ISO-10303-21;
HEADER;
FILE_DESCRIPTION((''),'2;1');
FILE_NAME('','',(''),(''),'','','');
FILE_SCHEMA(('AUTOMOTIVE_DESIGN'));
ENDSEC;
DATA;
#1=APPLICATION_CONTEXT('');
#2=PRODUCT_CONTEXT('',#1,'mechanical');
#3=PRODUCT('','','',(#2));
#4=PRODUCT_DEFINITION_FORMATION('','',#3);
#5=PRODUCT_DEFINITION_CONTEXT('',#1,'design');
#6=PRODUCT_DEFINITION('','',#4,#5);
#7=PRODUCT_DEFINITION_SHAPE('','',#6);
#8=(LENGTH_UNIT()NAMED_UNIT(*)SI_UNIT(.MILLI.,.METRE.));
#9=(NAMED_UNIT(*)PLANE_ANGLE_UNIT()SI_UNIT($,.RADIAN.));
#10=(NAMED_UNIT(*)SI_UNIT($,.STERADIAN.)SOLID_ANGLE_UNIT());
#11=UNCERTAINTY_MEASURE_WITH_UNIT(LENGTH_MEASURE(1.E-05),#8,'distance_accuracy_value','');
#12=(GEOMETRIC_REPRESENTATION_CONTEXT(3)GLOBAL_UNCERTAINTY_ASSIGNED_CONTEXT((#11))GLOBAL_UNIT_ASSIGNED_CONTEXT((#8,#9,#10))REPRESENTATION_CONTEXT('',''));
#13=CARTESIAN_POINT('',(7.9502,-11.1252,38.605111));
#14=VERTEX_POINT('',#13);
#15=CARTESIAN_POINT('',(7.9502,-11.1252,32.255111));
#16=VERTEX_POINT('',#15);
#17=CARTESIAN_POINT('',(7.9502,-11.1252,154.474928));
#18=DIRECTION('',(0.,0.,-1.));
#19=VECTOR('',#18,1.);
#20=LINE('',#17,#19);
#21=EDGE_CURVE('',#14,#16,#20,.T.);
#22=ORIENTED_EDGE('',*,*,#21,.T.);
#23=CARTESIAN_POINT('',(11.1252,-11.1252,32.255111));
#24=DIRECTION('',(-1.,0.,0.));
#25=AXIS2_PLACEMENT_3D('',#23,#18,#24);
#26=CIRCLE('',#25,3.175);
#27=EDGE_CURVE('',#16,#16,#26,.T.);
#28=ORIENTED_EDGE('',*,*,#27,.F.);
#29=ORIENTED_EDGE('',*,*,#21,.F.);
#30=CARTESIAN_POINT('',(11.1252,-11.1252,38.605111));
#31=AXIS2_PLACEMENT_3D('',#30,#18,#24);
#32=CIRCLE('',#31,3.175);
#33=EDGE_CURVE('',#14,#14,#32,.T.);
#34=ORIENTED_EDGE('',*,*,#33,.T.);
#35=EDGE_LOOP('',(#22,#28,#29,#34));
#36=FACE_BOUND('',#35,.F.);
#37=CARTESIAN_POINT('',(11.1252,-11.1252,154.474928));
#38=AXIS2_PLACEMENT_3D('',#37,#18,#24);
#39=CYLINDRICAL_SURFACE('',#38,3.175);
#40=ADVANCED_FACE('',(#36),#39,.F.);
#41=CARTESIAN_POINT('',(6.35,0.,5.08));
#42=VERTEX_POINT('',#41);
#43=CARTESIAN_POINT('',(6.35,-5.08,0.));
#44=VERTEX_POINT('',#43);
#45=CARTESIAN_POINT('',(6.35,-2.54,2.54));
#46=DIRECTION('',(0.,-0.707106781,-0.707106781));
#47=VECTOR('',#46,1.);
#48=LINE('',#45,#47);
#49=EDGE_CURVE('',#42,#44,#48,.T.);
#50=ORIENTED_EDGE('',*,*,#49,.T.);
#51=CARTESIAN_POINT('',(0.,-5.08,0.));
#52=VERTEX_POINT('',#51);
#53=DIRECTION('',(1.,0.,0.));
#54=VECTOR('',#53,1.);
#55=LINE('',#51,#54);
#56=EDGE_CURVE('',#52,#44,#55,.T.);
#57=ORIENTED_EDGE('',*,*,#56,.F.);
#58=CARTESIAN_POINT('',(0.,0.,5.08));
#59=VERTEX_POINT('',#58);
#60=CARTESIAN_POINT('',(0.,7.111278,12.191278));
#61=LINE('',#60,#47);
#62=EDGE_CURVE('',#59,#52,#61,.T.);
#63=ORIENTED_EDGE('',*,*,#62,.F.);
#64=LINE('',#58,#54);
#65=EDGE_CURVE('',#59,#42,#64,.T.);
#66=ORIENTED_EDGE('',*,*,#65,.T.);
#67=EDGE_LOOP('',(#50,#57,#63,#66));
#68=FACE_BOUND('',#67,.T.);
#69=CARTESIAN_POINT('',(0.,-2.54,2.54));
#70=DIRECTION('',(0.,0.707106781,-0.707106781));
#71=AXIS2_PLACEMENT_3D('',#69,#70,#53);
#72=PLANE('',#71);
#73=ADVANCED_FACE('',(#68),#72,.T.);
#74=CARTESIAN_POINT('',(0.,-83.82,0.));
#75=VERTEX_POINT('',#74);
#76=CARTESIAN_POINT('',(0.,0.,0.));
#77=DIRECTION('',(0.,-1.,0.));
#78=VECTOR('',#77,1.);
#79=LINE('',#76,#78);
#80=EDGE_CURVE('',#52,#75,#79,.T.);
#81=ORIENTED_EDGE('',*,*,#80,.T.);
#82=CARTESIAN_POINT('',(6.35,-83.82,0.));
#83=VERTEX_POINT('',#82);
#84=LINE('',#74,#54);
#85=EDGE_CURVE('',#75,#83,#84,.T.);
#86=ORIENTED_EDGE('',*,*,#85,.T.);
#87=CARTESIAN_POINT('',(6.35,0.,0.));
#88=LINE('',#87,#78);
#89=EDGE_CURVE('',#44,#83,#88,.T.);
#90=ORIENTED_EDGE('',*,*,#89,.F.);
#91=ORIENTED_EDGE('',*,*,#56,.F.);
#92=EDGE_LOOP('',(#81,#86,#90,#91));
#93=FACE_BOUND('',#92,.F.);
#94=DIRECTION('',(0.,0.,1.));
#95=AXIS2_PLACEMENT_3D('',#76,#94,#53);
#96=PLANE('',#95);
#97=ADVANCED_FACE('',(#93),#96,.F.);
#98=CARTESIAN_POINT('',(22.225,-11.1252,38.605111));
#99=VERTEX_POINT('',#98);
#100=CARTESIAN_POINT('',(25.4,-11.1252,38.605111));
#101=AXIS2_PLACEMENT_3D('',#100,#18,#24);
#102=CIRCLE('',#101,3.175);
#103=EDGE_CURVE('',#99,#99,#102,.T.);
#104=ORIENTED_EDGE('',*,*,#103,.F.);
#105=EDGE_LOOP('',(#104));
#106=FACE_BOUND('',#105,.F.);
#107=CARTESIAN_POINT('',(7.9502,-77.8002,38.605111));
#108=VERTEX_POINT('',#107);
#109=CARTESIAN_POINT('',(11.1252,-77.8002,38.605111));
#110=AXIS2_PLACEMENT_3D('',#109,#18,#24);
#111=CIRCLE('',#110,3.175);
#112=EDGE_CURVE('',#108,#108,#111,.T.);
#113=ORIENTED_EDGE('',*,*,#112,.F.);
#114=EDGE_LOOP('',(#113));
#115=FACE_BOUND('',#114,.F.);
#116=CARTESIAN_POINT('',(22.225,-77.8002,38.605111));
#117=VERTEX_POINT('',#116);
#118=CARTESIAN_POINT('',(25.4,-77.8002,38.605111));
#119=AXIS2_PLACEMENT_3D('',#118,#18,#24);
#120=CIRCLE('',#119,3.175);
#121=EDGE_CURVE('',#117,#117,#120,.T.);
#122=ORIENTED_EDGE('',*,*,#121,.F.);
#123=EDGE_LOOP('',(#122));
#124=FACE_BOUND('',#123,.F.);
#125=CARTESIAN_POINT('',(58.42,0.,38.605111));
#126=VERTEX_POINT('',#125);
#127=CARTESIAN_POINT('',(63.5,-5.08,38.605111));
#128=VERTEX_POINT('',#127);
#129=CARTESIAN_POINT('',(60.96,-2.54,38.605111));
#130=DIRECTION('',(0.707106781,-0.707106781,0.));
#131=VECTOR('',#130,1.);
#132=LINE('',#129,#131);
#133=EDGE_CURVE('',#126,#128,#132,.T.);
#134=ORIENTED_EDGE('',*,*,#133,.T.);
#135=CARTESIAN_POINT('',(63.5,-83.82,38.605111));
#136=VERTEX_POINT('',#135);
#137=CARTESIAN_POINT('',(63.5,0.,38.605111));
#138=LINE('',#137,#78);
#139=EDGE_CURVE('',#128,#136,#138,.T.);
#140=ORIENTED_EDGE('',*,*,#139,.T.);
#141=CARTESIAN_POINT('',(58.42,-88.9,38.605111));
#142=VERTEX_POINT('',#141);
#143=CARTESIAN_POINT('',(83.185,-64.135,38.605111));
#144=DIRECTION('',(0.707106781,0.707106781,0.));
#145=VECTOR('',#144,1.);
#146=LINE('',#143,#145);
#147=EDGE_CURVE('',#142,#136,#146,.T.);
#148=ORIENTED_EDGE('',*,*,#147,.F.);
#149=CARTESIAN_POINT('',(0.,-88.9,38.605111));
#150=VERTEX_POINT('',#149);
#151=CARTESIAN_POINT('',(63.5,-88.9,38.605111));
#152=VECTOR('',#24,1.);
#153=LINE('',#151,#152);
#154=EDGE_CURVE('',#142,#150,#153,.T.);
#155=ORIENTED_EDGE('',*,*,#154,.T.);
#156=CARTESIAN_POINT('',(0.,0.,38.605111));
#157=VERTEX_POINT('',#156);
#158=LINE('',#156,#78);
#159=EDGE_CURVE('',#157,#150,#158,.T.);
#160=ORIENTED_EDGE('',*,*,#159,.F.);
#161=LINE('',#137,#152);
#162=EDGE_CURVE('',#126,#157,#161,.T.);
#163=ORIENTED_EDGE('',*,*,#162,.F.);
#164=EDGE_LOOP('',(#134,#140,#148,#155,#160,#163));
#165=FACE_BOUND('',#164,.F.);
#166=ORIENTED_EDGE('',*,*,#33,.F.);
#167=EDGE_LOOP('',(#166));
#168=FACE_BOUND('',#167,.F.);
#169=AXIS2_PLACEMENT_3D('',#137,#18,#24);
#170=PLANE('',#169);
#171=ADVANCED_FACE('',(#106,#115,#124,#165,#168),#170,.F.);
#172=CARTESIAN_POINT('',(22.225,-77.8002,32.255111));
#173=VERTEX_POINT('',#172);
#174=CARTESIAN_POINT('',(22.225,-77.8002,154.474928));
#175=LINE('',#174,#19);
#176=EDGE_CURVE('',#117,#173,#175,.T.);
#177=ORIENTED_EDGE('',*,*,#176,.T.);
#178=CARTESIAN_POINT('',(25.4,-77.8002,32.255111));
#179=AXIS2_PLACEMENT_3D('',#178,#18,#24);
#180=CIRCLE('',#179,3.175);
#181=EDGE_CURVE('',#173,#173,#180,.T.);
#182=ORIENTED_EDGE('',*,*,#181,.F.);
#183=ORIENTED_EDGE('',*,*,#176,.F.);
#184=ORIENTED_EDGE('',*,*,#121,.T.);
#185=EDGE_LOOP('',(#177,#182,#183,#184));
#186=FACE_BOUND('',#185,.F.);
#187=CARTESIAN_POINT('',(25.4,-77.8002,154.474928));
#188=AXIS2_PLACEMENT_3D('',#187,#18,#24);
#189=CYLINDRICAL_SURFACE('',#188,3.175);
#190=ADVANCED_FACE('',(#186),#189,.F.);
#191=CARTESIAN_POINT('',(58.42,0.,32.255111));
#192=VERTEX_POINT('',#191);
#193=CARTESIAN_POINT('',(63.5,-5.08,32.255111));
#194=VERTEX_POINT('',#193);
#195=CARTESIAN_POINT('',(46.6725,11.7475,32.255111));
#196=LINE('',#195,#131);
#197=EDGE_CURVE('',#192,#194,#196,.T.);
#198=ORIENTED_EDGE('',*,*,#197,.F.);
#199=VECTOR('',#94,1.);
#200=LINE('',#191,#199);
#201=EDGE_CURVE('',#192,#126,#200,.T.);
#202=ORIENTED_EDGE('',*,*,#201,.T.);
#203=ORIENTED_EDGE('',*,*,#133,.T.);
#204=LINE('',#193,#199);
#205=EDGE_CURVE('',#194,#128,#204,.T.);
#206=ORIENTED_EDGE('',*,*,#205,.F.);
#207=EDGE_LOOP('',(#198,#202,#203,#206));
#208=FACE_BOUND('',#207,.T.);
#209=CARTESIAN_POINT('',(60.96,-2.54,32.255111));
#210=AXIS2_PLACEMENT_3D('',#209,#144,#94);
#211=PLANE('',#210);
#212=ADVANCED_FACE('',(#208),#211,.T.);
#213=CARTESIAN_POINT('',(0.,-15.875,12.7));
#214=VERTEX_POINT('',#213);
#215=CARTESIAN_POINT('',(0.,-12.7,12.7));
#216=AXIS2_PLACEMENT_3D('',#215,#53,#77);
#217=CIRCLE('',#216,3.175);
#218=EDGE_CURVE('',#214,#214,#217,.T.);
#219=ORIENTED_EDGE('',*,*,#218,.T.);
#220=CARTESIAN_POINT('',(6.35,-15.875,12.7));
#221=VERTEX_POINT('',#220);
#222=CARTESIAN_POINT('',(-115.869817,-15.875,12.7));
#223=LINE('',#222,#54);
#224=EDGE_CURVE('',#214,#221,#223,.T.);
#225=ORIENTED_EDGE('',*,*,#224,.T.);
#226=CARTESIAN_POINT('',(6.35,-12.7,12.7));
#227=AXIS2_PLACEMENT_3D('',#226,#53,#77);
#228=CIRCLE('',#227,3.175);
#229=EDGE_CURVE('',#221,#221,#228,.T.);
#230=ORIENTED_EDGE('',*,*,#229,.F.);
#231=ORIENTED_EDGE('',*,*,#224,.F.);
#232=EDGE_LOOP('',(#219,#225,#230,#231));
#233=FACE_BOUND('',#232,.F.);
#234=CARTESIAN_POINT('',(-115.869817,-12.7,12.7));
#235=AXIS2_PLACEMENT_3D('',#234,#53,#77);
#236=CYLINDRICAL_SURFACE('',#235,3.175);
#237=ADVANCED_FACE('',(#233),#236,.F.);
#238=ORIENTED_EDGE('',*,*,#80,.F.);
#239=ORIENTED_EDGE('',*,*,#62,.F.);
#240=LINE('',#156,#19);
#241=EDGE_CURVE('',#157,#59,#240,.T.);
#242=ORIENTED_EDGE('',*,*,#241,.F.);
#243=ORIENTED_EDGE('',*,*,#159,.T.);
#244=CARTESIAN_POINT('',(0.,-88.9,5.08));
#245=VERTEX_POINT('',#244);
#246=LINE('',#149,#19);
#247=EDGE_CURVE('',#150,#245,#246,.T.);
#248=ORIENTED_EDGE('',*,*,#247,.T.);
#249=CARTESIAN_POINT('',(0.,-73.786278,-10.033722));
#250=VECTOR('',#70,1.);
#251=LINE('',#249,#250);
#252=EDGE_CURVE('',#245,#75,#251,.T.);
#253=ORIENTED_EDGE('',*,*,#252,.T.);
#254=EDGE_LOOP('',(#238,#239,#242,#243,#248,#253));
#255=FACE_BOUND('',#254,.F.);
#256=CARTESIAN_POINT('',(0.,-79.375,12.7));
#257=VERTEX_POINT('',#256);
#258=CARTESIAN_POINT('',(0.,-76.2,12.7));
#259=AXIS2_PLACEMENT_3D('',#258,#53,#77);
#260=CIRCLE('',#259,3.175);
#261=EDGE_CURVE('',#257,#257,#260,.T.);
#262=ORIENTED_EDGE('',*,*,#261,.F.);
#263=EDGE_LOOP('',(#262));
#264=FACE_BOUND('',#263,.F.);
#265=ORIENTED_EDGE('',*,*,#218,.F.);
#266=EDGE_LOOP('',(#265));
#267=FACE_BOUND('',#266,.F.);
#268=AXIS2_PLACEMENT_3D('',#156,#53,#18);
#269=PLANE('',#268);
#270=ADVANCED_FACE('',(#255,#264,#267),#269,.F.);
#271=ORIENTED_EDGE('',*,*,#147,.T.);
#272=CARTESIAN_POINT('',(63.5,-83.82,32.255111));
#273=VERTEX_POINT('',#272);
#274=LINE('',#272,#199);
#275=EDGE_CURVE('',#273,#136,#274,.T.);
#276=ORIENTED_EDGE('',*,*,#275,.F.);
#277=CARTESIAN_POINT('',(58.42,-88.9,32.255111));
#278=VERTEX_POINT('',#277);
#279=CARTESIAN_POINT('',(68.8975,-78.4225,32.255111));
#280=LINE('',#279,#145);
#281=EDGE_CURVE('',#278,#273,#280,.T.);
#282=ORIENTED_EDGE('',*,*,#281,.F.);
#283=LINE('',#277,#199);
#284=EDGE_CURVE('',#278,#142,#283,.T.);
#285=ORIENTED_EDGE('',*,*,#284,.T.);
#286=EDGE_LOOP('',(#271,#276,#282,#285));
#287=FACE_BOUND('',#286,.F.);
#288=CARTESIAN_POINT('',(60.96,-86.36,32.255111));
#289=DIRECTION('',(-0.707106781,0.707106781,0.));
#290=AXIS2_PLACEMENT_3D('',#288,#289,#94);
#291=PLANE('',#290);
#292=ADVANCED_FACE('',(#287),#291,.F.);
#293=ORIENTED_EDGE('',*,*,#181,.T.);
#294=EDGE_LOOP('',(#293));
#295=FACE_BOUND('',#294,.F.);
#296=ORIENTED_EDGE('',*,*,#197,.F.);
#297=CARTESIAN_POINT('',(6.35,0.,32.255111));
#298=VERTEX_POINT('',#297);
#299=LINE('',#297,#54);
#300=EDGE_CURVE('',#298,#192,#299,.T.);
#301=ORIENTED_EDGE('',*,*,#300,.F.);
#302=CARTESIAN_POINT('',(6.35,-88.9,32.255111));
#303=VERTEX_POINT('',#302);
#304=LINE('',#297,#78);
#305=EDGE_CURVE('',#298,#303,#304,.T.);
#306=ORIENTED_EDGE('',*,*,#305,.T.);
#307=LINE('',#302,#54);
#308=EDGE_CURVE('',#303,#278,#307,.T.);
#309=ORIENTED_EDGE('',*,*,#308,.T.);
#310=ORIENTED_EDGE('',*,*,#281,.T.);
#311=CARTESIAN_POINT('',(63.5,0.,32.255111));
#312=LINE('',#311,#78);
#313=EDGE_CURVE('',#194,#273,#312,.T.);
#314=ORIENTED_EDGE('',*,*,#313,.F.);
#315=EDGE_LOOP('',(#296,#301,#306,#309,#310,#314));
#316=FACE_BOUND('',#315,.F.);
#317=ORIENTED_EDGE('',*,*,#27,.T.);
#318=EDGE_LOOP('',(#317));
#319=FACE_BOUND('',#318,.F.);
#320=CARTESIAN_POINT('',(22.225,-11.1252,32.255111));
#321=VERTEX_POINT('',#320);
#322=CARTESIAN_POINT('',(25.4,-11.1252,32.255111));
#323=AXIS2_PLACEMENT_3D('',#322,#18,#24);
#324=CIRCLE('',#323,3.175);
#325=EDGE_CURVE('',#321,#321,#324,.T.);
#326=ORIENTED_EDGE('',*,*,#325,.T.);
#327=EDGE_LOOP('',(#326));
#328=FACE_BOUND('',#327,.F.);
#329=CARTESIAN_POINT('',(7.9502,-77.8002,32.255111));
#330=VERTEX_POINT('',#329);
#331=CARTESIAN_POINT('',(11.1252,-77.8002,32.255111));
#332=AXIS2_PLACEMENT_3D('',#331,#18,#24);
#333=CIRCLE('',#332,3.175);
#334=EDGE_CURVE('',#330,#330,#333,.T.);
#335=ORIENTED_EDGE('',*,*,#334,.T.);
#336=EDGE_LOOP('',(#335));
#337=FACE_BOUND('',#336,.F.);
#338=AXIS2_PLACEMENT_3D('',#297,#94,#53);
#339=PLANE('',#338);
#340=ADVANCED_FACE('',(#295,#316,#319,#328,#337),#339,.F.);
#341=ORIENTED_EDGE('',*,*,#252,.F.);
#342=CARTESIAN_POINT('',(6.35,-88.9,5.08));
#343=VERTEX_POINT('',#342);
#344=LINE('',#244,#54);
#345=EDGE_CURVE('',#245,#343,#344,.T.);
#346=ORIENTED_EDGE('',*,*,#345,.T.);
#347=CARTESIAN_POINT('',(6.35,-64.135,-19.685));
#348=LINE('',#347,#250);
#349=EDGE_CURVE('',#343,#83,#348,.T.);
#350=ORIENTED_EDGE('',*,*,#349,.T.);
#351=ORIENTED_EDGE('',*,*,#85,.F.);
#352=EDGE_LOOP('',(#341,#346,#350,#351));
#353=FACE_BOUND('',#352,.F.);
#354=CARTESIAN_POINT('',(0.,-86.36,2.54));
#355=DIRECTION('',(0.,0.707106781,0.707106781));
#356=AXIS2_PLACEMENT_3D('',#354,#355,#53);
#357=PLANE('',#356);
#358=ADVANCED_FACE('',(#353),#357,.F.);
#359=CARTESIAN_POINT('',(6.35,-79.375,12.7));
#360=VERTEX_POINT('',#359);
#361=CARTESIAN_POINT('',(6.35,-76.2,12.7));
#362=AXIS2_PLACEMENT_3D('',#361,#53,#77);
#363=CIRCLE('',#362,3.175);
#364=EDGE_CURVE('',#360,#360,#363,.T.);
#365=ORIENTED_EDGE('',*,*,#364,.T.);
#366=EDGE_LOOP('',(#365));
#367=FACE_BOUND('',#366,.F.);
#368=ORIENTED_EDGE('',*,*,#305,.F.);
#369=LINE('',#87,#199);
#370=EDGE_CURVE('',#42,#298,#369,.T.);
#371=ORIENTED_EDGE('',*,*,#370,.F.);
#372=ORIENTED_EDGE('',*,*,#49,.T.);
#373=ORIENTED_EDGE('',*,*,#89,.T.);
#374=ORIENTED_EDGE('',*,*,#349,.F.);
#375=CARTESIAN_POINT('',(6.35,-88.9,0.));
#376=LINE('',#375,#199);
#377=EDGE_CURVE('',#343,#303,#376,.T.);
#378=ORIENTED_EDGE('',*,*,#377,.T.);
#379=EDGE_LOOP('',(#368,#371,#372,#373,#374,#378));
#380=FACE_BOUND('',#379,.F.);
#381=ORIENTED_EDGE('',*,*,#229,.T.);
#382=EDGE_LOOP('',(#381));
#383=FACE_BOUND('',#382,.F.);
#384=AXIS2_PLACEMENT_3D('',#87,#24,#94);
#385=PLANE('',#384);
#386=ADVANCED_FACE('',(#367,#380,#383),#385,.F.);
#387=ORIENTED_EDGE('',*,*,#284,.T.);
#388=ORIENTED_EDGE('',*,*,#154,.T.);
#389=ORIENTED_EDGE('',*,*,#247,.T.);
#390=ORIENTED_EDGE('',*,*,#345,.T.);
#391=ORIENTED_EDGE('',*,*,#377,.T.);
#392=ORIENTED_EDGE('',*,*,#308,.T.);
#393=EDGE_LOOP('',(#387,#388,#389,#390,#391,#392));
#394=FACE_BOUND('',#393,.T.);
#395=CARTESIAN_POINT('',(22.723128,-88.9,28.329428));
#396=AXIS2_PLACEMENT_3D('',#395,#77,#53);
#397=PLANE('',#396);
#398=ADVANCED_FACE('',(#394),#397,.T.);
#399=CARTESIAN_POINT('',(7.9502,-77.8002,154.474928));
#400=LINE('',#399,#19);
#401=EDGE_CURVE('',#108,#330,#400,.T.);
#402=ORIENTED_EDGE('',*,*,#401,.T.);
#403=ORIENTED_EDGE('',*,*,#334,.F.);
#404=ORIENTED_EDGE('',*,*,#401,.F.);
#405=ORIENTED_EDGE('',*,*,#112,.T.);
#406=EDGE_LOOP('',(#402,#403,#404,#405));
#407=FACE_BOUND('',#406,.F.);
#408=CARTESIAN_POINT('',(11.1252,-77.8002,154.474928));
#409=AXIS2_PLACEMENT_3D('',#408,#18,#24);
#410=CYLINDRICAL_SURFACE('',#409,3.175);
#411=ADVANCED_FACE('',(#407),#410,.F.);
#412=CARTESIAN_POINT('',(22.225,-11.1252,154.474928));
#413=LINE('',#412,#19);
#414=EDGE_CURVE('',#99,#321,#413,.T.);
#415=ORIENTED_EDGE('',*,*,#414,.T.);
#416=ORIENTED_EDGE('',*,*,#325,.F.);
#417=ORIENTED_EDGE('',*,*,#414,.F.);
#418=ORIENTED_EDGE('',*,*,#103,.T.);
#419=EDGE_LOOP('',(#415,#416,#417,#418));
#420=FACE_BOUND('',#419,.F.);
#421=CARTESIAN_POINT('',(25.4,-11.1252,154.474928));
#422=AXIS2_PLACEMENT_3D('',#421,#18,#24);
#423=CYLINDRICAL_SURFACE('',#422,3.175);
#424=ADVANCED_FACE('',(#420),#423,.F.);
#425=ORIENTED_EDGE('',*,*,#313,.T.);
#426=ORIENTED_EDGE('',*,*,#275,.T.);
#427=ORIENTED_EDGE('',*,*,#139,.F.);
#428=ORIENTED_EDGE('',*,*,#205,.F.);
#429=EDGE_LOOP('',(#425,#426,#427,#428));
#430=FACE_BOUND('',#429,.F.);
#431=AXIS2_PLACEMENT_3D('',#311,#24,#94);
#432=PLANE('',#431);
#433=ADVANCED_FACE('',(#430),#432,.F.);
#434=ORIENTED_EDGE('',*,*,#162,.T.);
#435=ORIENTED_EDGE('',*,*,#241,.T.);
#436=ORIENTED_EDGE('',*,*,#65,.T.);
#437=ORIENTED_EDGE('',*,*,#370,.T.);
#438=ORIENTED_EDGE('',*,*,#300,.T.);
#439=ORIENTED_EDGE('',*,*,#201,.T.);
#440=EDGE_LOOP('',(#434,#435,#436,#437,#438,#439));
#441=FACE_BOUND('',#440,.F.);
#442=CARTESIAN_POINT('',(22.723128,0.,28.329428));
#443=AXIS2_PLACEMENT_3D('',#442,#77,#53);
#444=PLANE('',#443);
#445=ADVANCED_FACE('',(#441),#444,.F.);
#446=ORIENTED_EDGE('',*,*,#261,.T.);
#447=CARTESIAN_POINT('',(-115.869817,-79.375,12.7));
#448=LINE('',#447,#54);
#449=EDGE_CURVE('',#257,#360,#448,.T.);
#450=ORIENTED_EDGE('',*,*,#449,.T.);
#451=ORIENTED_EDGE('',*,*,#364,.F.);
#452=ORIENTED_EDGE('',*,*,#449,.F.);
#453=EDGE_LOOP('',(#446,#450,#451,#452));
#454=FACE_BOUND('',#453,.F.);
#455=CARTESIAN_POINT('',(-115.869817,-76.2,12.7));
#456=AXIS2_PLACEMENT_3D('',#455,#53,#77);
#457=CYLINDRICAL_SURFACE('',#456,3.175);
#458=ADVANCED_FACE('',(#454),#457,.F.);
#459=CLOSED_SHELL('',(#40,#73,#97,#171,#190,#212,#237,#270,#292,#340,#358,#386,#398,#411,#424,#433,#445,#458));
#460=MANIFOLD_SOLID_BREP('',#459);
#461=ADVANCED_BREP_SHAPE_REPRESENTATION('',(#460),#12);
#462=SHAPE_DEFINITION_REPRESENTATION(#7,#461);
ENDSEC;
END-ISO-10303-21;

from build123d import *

# Parameters (mm, degrees)
F1_DEPTH = 88.9
F3_D     = 6.35
F4_SIZE  = 5.08
F6_D     = 6.35


with BuildPart() as f1:
    # F0 (on Front) → F1 (new body)
    with BuildSketch(Plane.XZ):
        Polygon((0, 38.6051108942), (0, 0), (6.35, 0), (6.35, 32.2551108942), (63.5, 32.2551108942), (63.5, 38.6051108942), align=None)
    extrude(amount=F1_DEPTH)

    # F3 (through all)
    with Locations(Plane(origin=(0, 0, 0), x_dir=(0, 1, 0), z_dir=(-1, 0, 0))):
        with Locations((-76.2, -12.7), (-12.7, -12.7)):
            Hole(F3_D / 2)

    # F4
    f4_edges = [f1.edges().sort_by_distance(p)[0] for p in [
        (63.5, 0, 35.430111),
        (63.5, -88.9, 35.430111),
        (3.175, -88.9, 0),
        (3.175, 0, 0),
    ]]
    chamfer(f4_edges, length=F4_SIZE)

    # F6 (through all)
    with Locations(Plane.XY.offset(38.6051108942)):
        with Locations((25.4, -11.1252), (11.1252, -11.1252), (11.1252, -77.8002), (25.4, -77.8002)):
            Hole(F6_D / 2)


solid = f1.part
